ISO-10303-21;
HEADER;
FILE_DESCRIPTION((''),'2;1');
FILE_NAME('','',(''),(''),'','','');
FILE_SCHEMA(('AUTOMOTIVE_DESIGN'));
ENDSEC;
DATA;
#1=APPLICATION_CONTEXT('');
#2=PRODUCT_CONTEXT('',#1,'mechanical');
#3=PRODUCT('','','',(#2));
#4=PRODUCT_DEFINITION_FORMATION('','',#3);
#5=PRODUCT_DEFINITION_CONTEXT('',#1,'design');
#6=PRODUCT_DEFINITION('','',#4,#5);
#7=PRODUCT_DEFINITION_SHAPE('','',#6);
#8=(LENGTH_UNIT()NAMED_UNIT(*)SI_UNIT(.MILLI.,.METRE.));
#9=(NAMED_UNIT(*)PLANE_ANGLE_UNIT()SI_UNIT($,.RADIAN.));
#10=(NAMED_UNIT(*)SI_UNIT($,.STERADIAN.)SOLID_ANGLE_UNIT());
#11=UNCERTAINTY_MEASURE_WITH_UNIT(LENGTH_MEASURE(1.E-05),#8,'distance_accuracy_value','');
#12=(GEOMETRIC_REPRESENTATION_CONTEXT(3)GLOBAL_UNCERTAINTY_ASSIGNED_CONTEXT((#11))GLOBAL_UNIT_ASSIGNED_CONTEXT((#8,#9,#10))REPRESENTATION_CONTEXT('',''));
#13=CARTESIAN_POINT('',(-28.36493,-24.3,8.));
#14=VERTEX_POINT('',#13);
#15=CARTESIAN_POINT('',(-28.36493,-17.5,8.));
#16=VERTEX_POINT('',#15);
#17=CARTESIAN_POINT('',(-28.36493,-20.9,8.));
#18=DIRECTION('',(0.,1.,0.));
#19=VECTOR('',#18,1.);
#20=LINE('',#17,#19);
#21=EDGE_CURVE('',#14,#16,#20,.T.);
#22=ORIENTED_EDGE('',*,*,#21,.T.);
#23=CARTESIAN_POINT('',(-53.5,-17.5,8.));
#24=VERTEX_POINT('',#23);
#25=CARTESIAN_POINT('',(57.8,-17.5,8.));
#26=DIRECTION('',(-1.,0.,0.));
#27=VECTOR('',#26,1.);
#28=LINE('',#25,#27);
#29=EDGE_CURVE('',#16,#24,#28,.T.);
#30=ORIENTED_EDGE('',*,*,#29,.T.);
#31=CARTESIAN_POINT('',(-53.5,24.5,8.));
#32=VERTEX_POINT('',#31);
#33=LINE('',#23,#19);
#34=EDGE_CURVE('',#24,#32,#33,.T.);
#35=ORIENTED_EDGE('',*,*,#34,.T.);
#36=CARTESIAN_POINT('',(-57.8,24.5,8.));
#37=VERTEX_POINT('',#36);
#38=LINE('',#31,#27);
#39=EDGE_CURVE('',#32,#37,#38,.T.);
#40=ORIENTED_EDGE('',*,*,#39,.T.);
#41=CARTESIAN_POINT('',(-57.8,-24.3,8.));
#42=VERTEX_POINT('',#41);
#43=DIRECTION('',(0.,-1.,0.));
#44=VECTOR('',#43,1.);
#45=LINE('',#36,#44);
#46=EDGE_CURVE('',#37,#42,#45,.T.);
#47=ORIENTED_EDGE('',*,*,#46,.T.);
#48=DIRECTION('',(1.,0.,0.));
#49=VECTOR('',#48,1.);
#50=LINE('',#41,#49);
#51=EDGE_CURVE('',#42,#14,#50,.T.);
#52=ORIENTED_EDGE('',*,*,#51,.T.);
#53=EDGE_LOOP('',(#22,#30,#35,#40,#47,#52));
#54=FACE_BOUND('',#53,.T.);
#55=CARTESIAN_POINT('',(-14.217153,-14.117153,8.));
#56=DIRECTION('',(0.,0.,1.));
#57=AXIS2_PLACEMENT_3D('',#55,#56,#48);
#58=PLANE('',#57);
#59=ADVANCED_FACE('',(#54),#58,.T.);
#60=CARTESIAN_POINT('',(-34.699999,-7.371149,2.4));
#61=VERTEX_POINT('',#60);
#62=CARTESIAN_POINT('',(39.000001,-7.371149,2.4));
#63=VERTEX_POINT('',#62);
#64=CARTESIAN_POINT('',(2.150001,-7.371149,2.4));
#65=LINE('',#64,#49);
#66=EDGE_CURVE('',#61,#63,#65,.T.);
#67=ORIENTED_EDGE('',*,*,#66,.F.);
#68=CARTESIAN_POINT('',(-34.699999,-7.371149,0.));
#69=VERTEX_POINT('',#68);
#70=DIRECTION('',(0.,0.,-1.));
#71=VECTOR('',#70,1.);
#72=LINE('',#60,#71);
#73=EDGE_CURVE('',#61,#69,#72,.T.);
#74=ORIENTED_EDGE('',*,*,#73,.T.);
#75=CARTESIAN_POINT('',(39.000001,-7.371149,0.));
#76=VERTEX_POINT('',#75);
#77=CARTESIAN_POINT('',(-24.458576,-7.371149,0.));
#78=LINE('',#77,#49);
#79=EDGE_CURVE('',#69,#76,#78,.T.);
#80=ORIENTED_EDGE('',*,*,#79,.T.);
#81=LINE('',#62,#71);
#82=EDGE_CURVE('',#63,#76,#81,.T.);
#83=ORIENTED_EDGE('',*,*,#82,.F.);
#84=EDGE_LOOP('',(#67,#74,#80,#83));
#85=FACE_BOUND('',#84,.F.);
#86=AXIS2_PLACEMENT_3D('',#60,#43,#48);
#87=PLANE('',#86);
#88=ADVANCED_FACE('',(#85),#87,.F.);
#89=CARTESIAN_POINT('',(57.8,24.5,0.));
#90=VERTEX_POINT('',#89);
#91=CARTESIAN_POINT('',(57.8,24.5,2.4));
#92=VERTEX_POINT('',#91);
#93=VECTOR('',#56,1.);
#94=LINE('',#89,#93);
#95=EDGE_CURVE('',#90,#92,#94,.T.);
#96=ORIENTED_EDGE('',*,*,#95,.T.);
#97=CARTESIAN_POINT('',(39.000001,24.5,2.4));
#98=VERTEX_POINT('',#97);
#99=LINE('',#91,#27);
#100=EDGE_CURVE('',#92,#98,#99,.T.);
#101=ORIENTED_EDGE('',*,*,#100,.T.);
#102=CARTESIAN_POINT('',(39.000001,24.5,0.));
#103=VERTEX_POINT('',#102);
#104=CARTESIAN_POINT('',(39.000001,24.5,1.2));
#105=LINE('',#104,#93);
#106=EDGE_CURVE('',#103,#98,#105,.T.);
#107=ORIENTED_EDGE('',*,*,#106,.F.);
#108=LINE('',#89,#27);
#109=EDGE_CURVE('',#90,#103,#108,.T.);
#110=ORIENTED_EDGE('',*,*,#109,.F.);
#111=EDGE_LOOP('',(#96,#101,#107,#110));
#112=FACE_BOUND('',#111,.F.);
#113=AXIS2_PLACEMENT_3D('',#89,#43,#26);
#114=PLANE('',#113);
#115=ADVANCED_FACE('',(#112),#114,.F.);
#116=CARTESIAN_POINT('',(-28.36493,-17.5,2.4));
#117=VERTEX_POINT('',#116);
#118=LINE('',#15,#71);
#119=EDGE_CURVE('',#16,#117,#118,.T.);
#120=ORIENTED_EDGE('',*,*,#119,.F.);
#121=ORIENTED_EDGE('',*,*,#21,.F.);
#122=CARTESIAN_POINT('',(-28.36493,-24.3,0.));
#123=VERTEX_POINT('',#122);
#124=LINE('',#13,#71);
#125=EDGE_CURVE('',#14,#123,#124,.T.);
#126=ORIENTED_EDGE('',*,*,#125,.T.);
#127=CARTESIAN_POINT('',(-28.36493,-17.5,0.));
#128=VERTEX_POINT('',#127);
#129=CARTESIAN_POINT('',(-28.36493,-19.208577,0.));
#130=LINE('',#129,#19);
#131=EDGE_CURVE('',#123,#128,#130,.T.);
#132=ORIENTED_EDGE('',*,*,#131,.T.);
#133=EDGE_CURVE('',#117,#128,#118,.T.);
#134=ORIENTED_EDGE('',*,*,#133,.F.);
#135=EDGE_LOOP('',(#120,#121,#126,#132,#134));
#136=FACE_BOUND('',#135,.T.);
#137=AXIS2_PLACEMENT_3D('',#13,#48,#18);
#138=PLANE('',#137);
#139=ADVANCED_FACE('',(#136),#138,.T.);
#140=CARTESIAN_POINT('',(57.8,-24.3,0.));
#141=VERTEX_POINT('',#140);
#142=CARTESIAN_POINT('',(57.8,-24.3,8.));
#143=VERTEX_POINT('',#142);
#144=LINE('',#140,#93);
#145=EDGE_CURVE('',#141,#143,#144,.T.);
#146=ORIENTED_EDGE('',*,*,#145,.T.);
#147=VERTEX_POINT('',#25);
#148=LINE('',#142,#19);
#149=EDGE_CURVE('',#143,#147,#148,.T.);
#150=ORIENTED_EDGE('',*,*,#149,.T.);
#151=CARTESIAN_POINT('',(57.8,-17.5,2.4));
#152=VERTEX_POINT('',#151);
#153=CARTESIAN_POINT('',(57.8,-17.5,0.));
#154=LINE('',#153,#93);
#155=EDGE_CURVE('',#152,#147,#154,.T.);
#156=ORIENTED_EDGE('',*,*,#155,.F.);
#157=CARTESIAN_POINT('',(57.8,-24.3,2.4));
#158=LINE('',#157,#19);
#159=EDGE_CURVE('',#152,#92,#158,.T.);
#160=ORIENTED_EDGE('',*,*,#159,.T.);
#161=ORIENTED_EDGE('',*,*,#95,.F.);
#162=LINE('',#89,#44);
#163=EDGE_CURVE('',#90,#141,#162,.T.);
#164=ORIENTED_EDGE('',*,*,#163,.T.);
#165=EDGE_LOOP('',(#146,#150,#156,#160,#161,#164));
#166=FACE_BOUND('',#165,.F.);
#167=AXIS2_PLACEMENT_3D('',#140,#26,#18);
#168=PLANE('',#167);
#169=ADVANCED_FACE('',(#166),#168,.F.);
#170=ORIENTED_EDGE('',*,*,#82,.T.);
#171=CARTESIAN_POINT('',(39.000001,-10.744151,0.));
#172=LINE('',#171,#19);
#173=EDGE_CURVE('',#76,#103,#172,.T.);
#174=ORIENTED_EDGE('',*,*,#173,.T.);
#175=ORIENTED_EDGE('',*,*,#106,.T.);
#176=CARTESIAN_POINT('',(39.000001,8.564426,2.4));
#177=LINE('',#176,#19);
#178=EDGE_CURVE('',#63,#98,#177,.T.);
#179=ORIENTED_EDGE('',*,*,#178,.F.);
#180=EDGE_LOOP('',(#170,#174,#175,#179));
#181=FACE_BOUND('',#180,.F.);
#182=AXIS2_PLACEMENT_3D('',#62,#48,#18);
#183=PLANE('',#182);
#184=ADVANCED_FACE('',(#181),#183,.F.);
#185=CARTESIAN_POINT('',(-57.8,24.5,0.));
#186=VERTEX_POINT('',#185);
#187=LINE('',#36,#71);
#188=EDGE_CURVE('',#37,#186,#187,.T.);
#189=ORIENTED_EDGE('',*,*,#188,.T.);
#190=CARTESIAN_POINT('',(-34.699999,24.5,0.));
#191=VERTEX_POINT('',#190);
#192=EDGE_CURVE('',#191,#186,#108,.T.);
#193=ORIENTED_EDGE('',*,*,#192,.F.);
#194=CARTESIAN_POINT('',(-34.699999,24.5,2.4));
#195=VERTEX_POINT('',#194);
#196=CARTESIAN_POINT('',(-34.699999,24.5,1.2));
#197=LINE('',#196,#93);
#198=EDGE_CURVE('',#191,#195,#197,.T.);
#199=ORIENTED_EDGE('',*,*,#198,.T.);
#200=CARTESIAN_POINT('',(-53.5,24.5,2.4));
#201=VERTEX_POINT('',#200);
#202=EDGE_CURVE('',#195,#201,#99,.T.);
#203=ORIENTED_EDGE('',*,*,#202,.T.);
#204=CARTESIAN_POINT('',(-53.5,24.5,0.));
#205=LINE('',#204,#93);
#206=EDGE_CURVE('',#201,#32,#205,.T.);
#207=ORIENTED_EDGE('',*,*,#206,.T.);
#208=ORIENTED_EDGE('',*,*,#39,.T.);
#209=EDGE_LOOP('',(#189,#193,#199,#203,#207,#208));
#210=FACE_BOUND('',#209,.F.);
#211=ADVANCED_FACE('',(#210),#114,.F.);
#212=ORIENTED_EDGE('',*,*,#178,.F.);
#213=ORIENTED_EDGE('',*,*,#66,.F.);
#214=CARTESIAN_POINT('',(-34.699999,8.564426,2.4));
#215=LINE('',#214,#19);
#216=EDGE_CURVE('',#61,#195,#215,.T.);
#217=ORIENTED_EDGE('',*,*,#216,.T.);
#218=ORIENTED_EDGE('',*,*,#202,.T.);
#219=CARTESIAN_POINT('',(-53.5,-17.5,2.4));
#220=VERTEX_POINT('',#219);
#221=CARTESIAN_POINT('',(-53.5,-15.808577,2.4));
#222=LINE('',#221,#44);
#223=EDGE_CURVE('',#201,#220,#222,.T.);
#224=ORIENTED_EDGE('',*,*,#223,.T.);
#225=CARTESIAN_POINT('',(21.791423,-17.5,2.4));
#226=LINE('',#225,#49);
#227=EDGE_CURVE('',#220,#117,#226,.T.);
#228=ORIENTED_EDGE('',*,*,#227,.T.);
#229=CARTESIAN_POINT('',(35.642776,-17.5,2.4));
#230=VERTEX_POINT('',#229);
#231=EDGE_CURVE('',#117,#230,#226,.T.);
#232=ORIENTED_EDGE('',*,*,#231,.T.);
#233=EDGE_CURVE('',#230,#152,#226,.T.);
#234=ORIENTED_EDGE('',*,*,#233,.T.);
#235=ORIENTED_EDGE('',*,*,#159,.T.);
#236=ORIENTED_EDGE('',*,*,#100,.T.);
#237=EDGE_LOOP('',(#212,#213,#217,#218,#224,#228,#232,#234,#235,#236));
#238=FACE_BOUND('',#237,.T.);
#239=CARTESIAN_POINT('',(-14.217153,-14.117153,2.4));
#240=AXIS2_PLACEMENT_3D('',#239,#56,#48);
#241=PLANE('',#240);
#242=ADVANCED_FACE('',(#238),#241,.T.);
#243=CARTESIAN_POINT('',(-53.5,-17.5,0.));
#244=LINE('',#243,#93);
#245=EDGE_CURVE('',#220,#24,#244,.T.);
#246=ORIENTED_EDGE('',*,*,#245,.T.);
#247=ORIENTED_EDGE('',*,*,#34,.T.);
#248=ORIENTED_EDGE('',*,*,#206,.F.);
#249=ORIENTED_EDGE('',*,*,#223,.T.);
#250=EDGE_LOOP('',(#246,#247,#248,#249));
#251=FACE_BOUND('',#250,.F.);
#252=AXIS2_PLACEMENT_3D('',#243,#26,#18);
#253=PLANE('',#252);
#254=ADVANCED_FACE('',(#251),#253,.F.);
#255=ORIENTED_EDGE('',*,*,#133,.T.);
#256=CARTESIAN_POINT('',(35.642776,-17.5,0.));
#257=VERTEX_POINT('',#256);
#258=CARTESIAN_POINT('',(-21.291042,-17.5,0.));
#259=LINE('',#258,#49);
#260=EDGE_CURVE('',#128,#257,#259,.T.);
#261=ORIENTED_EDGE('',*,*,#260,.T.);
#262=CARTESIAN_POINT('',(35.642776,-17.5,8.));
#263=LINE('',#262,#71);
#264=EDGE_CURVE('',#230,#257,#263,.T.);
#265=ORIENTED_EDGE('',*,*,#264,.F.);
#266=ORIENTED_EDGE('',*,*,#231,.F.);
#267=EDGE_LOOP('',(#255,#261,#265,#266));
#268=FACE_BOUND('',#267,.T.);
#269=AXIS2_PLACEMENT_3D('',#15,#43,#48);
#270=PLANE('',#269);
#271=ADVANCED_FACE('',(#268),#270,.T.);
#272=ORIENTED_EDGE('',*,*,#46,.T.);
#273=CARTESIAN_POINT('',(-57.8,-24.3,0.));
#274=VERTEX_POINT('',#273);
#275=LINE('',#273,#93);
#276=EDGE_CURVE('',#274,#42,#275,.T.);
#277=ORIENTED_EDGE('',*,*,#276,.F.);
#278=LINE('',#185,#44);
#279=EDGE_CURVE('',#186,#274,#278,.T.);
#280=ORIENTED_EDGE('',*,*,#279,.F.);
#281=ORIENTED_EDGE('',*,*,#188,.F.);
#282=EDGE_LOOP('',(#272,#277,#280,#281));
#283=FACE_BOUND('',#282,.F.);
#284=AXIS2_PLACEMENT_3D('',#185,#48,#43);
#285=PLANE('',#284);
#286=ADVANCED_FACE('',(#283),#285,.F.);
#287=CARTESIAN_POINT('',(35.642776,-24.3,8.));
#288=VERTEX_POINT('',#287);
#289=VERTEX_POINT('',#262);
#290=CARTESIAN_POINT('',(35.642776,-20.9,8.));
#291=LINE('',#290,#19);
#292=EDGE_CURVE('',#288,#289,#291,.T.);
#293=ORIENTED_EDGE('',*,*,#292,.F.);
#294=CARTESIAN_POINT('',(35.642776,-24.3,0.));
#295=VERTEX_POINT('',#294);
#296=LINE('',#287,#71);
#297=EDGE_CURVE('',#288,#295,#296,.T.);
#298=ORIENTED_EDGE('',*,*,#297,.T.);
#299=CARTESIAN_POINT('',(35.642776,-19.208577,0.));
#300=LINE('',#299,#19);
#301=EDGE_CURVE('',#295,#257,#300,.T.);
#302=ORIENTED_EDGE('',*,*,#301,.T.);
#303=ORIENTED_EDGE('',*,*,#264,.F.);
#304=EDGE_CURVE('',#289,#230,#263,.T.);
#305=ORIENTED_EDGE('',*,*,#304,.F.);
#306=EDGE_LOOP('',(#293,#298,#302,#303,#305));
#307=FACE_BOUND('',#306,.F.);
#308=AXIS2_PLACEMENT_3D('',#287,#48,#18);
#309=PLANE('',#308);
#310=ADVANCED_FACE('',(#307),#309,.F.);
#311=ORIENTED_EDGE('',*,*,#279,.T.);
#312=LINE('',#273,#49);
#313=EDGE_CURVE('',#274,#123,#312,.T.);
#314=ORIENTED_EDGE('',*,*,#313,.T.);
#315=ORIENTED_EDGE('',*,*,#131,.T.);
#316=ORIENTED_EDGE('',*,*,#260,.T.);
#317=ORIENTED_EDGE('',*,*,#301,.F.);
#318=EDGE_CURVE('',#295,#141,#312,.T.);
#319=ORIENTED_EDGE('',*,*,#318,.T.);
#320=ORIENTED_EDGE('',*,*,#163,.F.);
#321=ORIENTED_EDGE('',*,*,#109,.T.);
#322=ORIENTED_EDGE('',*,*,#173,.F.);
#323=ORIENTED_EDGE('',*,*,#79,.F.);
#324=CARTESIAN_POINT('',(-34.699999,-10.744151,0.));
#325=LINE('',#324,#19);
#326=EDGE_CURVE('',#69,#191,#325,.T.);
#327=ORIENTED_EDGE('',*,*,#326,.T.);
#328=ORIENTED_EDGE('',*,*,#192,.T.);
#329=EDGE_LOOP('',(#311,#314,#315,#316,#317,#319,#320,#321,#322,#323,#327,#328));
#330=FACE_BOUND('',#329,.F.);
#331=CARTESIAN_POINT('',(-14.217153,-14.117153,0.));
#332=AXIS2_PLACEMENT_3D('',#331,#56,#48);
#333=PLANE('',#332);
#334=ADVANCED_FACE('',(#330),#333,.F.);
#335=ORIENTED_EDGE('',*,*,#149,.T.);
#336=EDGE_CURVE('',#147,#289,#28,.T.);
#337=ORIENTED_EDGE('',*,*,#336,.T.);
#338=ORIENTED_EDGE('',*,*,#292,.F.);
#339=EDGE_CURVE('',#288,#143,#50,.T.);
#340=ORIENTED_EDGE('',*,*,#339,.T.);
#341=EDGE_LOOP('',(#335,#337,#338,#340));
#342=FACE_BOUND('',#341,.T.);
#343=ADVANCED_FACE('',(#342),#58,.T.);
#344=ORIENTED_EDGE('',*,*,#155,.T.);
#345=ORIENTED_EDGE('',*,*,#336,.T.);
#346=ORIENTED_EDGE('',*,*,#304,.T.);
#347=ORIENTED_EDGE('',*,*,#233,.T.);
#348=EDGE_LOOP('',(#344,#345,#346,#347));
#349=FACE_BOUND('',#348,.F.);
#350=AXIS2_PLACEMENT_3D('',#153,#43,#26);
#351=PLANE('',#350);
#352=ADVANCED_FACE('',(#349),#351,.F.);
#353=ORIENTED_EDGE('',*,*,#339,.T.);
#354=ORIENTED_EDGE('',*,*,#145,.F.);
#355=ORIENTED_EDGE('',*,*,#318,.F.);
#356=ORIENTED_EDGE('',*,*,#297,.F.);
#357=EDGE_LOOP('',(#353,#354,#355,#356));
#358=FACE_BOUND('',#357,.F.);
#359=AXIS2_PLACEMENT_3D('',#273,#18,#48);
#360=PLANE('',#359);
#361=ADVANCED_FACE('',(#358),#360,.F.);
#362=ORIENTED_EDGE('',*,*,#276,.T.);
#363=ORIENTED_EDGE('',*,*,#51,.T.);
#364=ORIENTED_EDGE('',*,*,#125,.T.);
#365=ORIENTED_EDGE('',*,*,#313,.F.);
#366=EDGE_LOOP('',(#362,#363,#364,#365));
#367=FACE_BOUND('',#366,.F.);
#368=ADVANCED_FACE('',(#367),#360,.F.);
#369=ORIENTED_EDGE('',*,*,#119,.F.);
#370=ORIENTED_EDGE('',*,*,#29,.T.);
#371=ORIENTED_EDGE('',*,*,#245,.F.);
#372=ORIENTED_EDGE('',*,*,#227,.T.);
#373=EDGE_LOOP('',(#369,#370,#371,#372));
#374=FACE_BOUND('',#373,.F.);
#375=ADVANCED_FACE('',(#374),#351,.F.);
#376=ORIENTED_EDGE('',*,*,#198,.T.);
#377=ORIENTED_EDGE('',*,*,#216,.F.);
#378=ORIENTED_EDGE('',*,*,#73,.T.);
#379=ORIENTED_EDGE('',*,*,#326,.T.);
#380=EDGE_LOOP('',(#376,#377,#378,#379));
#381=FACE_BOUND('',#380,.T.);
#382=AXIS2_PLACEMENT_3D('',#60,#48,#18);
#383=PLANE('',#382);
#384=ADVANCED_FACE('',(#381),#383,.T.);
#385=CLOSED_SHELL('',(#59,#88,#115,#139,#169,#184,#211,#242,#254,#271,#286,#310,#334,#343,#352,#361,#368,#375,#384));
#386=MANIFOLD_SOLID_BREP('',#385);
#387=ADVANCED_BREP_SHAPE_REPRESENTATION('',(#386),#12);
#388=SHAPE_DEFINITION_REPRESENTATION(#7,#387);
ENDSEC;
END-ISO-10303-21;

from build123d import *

# Parameters (mm, degrees)
F1_DEPTH = 2.4
F2_DEPTH = 8
F3_W     = 64.007707
F3_H     = 6.8
F4_DEPTH = 25
F5_W     = 73.7
F5_H     = 31.871149
F6_DEPTH = 25


with BuildPart() as f1:
    # F0 (on Top) → F1 (new body)
    with BuildSketch(Plane.XY):
        Polygon((-53.5, -17.5), (-53.5, 24.5), (-57.8, 24.5), (-57.8, -17.5), (-57.8, -24.3), (-53.5, -24.3), (53.1, -24.3), (57.8, -24.3), (57.8, -17.5), (53.1, -17.5), align=None)
        Polygon((53.1, 24.5), (-53.5, 24.5), (-53.5, -17.5), (53.1, -17.5), (57.8, -17.5), (57.8, 24.5), align=None)
    extrude(amount=F1_DEPTH)

    # F0 (on Top) → F2 (join)
    with BuildSketch(Plane.XY):
        Polygon((-53.5, -17.5), (-53.5, 24.5), (-57.8, 24.5), (-57.8, -17.5), (-57.8, -24.3), (-53.5, -24.3), (53.1, -24.3), (57.8, -24.3), (57.8, -17.5), (53.1, -17.5), align=None)
    extrude(amount=F2_DEPTH)

    # F3 (on face) → F4 (cut)
    with BuildSketch(Plane.XY.offset(8)):
        with Locations((3.638923, -20.9)):
            Rectangle(F3_W, F3_H)
    extrude(amount=-F4_DEPTH, mode=Mode.SUBTRACT)

    # F5 (on face) → F6 (cut)
    with BuildSketch(Plane.XY.offset(2.4)):
        with Locations((2.150001, 8.564426)):
            Rectangle(F5_W, F5_H)
    extrude(amount=-F6_DEPTH, mode=Mode.SUBTRACT)


solid = f1.part
